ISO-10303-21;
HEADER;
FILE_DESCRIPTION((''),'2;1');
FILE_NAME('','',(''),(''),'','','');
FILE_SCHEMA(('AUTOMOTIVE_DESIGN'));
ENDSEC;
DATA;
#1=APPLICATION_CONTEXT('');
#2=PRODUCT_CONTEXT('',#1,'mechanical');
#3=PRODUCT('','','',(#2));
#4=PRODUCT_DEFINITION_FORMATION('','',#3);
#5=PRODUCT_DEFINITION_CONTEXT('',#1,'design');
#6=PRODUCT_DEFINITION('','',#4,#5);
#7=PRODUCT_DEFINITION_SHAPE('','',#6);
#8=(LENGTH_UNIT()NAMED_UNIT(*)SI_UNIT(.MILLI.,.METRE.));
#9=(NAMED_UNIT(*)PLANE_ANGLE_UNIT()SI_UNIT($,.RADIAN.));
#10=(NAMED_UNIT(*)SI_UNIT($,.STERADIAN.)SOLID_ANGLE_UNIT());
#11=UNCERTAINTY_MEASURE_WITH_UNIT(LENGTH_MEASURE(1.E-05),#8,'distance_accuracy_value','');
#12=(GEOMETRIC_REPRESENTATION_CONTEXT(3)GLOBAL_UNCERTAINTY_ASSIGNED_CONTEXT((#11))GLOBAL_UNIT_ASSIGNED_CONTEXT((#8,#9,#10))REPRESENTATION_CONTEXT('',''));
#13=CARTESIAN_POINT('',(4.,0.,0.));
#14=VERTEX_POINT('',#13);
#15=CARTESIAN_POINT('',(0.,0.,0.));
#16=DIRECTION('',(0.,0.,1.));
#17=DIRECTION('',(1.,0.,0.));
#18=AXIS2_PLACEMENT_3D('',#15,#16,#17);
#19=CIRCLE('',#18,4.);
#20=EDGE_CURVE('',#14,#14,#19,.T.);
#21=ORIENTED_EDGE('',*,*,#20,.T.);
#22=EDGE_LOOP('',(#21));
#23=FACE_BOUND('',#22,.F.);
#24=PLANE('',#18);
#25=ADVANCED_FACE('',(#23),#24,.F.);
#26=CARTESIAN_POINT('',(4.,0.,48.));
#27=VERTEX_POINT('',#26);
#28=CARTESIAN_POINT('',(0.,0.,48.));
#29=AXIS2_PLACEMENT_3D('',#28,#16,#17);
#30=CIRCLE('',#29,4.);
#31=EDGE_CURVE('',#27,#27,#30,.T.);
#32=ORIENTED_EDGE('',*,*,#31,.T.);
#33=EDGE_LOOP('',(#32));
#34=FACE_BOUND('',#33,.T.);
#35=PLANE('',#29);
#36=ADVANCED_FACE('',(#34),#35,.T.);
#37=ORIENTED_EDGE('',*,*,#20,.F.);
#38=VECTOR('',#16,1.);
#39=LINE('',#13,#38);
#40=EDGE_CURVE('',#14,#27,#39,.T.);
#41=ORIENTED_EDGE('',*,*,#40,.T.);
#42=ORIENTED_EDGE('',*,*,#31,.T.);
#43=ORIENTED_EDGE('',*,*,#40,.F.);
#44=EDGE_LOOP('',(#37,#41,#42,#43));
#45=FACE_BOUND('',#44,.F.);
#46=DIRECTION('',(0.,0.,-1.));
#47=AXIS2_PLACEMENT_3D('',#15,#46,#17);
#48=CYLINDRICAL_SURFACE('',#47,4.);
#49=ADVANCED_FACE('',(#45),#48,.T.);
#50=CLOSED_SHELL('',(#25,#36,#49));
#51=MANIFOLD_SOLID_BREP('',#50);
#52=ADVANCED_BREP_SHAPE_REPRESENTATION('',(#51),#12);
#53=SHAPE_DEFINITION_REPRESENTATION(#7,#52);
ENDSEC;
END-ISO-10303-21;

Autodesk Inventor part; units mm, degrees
ref_plane "YZ Plane" through (0, 0, 0) normal (1, 0, 0) x (0, 1, 0)
ref_plane "XZ Plane" through (0, 0, 0) normal (0, 1, 0) x (-1, 0, 0)
ref_plane "XY Plane" through (0, 0, 0) normal (0, 0, 1) x (1, 0, 0)
sketch "Sketch1" plane through (0, 0, 0) normal (0, 0, 1) x (1, 0, 0)
  circle A0 centre (0, 0) radius 4
  dimension "d0" = 8
extrude "Extrusion1" add sketch "Sketch1" along normal blind 48
properties part number "shaft8x47"
